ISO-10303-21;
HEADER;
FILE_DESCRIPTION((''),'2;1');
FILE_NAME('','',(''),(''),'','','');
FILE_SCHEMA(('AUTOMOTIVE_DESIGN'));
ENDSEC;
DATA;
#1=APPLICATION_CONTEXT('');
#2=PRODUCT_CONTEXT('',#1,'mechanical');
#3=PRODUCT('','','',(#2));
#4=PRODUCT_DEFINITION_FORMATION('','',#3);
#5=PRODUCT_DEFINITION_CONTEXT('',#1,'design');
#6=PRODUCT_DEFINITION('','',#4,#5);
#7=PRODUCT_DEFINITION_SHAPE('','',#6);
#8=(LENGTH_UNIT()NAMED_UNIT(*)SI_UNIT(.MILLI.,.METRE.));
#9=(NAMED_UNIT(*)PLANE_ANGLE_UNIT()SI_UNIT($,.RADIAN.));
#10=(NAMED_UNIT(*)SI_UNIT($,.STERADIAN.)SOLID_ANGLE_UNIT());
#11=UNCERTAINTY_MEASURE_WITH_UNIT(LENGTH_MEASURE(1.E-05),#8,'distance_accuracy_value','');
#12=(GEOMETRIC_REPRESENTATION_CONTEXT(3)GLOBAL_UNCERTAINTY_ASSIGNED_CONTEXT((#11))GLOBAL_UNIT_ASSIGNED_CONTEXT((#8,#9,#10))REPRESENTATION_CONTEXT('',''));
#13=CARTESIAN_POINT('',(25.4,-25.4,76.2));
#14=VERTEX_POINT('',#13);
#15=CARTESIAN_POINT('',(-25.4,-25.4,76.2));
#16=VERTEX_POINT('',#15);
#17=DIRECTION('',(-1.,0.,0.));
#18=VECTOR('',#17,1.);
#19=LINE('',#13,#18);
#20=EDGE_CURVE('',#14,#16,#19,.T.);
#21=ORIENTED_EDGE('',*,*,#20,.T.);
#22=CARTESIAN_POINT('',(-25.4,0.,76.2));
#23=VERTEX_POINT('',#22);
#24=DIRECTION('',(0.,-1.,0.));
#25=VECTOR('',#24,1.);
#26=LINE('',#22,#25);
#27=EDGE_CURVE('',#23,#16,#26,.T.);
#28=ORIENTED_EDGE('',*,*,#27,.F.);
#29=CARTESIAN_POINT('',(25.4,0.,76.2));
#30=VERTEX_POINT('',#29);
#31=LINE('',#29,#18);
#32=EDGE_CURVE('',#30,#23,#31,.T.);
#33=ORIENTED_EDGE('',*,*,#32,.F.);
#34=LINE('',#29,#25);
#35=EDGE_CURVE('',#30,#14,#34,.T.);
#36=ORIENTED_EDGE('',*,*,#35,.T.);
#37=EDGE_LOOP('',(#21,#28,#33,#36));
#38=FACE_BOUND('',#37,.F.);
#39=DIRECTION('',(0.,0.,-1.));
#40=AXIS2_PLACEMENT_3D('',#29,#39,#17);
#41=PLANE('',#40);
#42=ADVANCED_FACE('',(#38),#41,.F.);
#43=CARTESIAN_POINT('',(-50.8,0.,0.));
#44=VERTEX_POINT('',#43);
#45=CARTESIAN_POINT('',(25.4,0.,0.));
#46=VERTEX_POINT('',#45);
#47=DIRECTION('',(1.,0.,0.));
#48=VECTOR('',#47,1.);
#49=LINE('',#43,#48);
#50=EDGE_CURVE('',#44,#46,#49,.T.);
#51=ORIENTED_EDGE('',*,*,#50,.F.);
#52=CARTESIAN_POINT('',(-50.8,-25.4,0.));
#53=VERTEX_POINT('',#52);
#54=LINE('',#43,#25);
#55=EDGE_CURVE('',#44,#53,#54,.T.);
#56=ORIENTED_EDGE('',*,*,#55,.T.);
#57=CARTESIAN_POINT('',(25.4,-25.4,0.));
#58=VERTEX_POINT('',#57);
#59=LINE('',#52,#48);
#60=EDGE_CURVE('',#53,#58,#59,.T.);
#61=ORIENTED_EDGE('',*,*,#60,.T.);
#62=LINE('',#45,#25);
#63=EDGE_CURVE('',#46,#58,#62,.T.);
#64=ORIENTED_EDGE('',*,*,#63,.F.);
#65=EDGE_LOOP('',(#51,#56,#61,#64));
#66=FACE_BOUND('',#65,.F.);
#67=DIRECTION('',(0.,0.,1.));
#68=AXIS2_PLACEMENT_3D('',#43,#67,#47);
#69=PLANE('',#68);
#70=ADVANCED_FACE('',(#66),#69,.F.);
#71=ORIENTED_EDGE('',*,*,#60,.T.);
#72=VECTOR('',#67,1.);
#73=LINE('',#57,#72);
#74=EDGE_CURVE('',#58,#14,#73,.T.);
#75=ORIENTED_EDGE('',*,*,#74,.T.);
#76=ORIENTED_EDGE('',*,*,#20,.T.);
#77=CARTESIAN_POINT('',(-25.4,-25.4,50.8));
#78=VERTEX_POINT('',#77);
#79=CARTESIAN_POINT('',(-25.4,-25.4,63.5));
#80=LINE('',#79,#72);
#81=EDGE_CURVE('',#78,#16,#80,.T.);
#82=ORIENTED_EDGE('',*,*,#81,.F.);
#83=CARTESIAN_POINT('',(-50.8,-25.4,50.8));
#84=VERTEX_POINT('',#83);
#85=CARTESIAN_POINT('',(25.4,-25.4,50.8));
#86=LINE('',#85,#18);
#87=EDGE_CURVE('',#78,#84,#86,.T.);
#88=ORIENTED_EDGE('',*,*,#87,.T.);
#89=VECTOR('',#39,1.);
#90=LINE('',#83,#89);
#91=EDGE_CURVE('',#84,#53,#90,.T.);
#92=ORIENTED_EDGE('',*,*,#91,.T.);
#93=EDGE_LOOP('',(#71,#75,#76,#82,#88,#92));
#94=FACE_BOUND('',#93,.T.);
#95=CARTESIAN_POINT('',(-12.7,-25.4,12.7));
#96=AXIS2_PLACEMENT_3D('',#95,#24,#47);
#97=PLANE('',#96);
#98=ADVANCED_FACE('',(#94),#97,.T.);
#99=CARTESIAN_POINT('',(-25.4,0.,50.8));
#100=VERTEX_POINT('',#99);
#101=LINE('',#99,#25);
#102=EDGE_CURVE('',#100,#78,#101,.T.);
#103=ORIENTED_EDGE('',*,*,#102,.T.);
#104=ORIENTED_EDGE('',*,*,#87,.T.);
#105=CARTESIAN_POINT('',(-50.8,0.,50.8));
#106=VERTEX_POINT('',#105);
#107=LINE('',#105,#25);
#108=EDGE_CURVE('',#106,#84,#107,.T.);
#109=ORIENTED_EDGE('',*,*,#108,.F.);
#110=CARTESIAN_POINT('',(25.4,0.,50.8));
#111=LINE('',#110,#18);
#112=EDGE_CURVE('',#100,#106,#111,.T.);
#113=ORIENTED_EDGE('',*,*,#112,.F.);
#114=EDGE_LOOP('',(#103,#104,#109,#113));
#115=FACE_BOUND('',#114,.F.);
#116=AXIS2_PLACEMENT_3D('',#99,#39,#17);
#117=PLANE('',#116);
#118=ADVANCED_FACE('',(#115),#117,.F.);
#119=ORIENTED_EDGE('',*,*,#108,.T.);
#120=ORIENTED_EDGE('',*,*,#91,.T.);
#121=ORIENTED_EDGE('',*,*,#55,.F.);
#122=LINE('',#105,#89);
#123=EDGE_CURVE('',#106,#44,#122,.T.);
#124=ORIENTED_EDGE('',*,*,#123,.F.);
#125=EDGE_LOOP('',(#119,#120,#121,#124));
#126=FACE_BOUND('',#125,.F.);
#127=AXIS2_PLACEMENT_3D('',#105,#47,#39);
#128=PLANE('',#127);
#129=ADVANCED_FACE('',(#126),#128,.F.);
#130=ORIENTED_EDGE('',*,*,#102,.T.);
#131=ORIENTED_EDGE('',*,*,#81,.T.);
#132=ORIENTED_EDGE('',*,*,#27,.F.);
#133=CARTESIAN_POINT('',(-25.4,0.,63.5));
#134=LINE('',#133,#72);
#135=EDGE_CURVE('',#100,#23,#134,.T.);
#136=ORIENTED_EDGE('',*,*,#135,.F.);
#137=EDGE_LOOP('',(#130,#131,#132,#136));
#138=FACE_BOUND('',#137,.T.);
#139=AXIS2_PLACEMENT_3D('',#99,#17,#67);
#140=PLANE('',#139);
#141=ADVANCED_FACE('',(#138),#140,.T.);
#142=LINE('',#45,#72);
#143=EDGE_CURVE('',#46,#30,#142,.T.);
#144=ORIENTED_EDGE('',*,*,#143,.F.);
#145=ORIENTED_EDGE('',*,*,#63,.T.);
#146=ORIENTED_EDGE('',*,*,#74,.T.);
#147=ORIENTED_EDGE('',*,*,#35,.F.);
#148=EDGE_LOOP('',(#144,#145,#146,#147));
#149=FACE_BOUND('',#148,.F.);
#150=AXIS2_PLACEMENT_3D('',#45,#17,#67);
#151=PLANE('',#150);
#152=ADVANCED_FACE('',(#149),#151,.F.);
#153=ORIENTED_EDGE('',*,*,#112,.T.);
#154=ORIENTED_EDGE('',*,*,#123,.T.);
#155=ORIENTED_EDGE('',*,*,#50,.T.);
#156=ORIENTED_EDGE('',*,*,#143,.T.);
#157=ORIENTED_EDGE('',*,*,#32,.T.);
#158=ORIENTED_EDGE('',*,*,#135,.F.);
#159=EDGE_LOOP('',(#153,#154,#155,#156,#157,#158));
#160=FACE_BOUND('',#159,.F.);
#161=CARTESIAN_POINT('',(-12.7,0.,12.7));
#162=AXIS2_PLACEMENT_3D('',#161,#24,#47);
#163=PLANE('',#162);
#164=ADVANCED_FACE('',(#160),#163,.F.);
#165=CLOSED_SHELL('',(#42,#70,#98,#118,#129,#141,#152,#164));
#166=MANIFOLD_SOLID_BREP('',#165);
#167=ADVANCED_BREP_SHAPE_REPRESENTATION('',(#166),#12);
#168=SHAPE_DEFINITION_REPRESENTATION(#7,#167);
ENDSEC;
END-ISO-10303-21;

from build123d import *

# Parameters (mm, degrees)
F0_W     = 25.4
F0_H     = 25.4
F1_DEPTH = 25.4


with BuildPart() as f1:
    # F0 (on Front) → F1 (new body)
    with BuildSketch(Plane.XZ):
        with Locations((-12.7, 12.7)):
            Rectangle(F0_W, F0_H)
        with Locations((12.7, 12.7)):
            Rectangle(F0_W, F0_H)
        with Locations((-38.1, 12.7)):
            Rectangle(F0_W, F0_H)
        with Locations((12.7, 38.1)):
            Rectangle(F0_W, F0_H)
        with Locations((-12.7, 38.1)):
            Rectangle(F0_W, F0_H)
        with Locations((-38.1, 38.1)):
            Rectangle(F0_W, F0_H)
        with Locations((12.7, 63.5)):
            Rectangle(F0_W, F0_H)
        with Locations((-12.7, 63.5)):
            Rectangle(F0_W, F0_H)
    extrude(amount=F1_DEPTH)


solid = f1.part
